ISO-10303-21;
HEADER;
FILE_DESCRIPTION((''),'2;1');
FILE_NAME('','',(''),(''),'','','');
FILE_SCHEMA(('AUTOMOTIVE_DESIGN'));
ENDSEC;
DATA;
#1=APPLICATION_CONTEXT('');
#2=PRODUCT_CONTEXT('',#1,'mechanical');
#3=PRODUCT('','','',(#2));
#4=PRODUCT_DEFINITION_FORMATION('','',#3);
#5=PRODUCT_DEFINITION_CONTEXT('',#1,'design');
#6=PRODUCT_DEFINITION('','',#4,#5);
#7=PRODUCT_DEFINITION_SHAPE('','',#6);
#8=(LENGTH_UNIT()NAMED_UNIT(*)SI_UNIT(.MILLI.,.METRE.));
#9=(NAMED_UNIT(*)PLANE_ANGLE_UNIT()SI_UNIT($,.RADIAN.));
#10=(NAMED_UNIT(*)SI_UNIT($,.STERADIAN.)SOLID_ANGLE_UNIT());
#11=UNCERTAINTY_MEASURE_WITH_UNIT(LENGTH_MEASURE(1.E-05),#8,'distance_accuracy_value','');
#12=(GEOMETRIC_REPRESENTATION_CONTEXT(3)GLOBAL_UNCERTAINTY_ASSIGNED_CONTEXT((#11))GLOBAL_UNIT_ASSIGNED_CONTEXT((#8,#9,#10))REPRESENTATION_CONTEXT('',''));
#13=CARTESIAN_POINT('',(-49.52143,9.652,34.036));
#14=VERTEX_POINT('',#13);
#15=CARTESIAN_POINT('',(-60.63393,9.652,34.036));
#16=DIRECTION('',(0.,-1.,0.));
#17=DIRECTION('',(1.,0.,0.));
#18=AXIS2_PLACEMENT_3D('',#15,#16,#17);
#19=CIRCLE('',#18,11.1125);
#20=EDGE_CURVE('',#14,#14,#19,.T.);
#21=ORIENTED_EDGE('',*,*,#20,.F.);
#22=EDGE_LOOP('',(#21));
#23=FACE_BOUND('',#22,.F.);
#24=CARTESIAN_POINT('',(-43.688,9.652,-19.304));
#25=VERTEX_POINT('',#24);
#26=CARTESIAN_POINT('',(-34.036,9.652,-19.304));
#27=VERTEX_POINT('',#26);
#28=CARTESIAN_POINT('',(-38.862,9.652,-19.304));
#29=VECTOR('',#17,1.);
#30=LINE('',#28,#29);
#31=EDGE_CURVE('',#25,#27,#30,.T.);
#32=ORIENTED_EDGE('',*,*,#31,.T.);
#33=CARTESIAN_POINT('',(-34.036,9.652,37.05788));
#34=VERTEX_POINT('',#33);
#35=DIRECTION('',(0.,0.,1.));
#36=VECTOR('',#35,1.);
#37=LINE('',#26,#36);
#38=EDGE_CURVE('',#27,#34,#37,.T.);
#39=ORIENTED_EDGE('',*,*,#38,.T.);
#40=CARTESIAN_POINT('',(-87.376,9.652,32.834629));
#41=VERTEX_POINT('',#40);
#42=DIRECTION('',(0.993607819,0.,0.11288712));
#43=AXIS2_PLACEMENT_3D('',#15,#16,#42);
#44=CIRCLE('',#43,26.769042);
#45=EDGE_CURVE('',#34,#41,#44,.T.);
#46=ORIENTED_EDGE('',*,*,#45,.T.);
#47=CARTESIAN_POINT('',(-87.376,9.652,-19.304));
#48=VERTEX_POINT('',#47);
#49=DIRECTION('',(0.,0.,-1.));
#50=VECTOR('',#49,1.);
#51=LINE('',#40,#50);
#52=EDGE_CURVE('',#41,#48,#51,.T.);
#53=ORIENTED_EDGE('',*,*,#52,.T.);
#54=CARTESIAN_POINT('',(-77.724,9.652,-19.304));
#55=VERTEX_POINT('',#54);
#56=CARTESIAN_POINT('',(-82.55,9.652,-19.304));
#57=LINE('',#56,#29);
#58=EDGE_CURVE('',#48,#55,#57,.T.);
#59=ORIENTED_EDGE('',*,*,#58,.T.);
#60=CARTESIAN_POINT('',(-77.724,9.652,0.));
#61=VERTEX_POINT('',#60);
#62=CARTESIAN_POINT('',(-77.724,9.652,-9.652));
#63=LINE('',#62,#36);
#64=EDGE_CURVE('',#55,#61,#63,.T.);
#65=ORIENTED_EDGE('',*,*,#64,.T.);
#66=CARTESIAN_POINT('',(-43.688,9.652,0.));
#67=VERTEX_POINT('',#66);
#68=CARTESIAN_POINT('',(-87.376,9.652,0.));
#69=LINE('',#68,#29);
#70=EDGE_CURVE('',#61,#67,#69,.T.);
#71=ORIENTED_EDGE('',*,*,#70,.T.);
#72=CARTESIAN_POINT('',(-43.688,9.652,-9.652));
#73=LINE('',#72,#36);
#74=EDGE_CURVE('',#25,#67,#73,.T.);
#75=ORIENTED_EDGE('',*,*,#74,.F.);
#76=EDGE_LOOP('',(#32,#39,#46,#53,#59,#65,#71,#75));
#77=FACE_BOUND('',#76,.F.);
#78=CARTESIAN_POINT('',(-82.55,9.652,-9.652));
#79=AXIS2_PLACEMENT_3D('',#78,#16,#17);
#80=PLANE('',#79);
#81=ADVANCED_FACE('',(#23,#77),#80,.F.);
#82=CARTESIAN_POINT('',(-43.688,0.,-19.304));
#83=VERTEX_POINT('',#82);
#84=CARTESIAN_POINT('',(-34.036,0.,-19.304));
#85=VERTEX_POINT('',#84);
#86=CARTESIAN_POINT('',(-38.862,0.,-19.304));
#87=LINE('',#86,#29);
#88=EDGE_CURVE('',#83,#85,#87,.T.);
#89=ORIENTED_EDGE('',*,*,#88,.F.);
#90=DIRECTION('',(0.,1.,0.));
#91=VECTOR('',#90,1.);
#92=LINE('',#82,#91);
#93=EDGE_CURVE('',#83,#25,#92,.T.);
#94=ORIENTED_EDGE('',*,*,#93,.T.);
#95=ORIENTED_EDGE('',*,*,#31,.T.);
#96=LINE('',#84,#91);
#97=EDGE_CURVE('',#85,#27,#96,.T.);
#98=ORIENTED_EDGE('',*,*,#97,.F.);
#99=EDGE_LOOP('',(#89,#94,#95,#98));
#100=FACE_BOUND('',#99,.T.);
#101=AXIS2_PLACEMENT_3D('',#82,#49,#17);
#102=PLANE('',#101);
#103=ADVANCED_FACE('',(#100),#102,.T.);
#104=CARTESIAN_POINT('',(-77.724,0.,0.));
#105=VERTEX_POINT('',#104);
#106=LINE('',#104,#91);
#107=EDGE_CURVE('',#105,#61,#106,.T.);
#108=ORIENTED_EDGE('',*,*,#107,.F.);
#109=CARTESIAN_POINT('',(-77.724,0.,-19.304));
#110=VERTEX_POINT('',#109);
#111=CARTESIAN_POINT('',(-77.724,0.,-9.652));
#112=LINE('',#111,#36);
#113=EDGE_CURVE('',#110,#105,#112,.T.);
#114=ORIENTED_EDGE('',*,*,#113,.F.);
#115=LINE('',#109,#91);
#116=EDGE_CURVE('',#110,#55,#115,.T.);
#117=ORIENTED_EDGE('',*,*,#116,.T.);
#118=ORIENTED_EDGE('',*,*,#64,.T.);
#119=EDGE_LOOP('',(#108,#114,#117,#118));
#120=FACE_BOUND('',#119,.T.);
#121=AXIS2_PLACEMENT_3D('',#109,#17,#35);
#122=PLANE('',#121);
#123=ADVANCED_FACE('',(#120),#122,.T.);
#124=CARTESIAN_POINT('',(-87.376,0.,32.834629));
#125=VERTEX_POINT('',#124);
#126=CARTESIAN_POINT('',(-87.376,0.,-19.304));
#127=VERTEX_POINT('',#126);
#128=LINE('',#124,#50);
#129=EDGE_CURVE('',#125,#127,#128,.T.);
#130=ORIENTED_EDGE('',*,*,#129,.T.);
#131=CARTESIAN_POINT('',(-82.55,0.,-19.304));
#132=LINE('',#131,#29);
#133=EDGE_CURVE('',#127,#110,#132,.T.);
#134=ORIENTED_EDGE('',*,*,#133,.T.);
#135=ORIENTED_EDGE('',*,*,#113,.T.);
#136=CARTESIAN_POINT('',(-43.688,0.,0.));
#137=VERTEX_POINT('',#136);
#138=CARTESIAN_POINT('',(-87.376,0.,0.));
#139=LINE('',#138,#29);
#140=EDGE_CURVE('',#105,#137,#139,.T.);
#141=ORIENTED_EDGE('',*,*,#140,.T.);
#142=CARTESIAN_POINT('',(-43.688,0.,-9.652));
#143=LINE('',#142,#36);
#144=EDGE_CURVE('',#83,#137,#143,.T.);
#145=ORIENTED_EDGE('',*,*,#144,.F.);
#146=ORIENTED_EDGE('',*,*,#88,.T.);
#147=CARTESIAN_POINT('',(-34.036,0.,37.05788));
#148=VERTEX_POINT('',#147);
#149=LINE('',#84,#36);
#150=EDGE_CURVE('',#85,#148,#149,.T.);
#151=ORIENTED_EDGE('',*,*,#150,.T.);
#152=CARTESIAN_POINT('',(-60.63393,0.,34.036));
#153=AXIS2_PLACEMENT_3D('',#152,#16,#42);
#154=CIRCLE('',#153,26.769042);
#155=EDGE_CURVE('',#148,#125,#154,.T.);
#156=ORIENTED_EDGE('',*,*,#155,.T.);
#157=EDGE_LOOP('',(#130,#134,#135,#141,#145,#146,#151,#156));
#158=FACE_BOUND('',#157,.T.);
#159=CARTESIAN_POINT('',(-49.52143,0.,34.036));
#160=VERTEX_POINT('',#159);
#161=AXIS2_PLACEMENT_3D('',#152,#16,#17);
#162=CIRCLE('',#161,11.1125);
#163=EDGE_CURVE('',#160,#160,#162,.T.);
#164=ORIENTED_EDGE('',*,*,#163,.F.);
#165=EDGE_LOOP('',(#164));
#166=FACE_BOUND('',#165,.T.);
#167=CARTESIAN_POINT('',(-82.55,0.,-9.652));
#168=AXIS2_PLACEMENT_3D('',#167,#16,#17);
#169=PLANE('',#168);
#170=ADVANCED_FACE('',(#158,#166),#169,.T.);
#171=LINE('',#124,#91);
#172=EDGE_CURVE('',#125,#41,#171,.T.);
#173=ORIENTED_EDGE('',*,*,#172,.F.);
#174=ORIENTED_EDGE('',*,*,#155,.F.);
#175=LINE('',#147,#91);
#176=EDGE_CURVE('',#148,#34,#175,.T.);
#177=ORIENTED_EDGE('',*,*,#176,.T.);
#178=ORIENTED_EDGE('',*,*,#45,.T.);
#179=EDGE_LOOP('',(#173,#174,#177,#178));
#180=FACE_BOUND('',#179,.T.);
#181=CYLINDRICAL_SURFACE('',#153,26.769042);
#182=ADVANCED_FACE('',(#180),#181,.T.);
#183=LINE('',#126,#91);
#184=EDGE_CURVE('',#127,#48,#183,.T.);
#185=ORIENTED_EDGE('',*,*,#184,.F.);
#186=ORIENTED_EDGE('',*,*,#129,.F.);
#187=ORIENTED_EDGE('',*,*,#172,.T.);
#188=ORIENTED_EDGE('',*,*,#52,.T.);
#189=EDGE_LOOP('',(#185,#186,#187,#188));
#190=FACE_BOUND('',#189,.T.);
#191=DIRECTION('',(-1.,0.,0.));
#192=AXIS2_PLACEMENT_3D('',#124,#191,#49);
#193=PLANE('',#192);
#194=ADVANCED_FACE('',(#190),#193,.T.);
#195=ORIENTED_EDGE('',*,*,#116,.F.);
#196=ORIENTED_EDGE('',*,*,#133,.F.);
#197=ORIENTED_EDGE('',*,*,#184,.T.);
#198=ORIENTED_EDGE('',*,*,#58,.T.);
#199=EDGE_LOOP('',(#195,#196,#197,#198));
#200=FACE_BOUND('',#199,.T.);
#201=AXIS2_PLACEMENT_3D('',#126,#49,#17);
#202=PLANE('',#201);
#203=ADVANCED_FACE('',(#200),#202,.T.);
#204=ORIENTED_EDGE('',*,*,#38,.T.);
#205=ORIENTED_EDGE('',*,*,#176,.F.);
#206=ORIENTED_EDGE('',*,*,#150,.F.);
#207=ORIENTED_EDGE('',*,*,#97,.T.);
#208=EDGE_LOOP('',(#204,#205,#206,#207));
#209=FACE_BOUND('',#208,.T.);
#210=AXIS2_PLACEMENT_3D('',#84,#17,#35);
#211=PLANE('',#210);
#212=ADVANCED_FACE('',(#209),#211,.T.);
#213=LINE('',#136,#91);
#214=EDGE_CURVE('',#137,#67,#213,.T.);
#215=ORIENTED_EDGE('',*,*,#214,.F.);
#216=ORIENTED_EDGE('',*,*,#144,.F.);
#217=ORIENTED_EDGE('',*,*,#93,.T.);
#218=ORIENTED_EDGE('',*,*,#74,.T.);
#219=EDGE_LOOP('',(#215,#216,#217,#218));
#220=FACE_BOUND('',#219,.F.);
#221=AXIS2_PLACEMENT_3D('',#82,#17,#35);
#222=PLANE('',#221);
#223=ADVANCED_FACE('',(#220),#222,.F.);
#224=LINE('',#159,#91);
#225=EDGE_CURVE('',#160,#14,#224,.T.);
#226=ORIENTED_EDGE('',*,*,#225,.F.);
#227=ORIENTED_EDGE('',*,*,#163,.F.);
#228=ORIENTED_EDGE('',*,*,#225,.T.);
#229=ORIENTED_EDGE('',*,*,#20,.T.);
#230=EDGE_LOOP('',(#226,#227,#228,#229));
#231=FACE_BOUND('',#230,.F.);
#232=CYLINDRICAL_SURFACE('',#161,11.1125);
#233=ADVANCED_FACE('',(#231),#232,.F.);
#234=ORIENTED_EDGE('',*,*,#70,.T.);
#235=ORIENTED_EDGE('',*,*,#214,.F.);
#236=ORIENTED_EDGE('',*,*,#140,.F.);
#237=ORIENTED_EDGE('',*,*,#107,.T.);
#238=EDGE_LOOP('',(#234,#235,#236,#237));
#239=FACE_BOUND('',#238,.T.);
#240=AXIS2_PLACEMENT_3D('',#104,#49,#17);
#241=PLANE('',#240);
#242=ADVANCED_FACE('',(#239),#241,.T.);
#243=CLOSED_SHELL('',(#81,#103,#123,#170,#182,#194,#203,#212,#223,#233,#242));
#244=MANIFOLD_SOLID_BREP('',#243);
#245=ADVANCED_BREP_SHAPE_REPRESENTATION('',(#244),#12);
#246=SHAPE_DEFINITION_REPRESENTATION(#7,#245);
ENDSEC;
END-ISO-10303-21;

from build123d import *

# Parameters (mm, degrees)
F0_W     = 9.652
F0_H     = 19.304
F0_R     = 11.1125
F1_DEPTH = 9.652


with BuildPart() as f1:
    # F0 (on Front) → F1 (new body)
    with BuildSketch(Plane.XZ):
        with Locations((-82.55, -9.652)):
            Rectangle(F0_W, F0_H)
        with Locations((-38.862, -9.652)):
            Rectangle(F0_W, F0_H)
        with BuildLine():
            Line((-43.688, 0), (-34.036, 0))
            Line((-34.036, 0), (-34.036, 34.036))
            Line((-34.036, 34.036), (-34.036, 37.05788))
            ThreePointArc((-34.036, 37.05788), (-62.746785, 60.721529), (-87.376, 32.834629))
            Line((-87.376, 32.834629), (-87.376, 0))
            Line((-87.376, 0), (-77.724, 0))
            Line((-77.724, 0), (-43.688, 0))
        make_face()
        with Locations((-60.63393, 34.036)):
            Circle(F0_R, mode=Mode.SUBTRACT)
    extrude(amount=-F1_DEPTH)


solid = f1.part
